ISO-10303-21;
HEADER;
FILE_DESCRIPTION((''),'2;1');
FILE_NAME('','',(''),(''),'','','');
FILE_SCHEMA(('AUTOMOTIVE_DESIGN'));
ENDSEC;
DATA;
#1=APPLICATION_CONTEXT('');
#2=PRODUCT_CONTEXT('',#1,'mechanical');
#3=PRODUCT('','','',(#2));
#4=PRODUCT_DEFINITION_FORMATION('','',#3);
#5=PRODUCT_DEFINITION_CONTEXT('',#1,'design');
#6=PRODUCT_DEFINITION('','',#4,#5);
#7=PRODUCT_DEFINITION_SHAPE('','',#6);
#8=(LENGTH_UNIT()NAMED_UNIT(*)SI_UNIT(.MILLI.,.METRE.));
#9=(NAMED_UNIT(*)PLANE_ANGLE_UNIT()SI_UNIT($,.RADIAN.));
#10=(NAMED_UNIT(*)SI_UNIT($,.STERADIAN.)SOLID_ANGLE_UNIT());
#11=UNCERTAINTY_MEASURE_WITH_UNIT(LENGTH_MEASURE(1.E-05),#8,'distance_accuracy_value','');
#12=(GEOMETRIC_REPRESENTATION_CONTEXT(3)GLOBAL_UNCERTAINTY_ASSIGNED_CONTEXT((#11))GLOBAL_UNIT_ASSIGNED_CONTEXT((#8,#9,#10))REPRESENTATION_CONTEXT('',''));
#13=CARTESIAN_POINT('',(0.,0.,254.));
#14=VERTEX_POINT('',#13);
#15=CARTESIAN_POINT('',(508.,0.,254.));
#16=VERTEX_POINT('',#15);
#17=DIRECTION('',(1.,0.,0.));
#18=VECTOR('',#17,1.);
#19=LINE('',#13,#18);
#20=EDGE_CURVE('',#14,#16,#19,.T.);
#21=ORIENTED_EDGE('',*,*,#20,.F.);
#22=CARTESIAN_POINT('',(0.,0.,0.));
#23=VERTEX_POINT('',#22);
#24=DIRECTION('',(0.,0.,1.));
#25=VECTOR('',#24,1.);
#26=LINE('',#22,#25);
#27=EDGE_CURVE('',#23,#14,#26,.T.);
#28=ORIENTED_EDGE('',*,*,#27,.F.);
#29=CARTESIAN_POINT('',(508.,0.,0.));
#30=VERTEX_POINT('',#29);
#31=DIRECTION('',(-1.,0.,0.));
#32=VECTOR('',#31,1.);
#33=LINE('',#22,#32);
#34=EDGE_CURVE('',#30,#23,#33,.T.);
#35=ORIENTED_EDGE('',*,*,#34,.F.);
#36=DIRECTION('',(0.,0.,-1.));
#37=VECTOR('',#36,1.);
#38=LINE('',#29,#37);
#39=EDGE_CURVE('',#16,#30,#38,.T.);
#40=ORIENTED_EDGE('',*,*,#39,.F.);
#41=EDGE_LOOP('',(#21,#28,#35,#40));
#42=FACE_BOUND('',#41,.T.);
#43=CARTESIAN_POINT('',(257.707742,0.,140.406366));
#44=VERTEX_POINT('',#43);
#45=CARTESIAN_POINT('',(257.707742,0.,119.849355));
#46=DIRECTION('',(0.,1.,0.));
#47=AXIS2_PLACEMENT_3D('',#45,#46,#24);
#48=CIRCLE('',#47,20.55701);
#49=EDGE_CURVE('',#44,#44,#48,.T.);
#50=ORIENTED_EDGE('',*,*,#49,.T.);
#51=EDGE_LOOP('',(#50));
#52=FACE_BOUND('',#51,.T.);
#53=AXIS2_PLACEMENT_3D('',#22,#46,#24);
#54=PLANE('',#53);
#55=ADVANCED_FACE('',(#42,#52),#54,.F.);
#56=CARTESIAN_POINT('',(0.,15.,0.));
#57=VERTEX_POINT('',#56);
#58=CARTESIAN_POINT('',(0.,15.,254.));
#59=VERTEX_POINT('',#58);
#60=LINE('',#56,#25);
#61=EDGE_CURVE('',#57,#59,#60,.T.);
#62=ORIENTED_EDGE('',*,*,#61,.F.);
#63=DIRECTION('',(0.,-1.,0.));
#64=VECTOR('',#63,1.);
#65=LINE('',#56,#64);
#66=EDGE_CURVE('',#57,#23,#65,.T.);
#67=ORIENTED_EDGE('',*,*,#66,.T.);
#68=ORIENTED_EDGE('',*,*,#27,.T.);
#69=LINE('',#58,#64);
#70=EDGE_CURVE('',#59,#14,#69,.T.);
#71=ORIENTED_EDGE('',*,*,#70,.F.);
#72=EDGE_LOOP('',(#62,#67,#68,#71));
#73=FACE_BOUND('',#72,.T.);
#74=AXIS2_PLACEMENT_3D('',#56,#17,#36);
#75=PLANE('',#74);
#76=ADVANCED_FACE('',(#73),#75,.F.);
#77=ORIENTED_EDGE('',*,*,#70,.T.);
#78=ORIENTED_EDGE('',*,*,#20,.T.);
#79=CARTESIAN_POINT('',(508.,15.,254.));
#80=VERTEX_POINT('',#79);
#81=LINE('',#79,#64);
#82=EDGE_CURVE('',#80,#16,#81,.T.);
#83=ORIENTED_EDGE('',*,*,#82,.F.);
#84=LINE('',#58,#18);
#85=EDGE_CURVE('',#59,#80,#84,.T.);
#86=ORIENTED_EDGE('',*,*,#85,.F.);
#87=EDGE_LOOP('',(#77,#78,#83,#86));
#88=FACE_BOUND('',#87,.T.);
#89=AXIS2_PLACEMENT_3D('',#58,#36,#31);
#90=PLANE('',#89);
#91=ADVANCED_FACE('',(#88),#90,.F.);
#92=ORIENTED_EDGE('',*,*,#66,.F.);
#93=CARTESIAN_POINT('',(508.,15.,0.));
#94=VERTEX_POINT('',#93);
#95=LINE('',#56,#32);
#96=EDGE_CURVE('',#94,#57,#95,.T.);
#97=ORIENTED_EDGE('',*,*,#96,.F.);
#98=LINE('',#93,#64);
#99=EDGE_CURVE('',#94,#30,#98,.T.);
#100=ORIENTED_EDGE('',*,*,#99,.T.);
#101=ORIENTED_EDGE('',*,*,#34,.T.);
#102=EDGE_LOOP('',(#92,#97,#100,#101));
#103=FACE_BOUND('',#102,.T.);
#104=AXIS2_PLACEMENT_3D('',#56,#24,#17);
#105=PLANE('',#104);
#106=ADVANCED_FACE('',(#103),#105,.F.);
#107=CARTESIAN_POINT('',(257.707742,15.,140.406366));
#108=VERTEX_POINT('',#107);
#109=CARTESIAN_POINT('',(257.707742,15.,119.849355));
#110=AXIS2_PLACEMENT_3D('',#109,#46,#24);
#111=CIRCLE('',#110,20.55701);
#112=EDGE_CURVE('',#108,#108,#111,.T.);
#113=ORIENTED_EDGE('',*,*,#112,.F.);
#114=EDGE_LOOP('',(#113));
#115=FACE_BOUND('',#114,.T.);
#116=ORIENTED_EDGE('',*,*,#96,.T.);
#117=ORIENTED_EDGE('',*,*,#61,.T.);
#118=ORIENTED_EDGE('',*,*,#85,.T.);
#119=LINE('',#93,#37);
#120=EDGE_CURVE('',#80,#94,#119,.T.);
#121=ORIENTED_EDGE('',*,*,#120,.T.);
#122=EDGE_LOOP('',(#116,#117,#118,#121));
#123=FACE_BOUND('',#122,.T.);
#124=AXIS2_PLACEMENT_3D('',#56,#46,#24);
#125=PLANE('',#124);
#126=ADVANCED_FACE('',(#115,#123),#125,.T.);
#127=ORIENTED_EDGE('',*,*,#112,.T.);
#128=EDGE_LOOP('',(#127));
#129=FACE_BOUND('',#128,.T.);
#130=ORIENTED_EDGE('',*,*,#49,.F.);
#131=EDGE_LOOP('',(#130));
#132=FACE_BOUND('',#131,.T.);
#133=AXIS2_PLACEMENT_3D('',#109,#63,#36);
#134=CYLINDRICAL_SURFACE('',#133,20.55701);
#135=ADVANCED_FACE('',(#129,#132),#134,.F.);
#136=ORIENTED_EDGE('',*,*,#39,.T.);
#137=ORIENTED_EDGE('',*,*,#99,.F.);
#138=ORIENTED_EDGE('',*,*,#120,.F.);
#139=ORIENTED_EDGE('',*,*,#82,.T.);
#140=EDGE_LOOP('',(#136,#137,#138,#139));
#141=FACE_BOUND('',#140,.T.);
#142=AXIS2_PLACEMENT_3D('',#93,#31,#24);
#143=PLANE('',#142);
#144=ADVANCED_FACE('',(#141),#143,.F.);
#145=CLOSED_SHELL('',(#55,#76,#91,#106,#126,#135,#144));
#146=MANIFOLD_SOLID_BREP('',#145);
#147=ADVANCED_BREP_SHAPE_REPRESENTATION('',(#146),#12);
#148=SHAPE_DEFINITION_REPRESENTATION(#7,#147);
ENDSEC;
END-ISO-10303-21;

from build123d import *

# Parameters (mm, degrees)
SKETCH_1_W      = 508
SKETCH_1_H      = 254
SKETCH_1_R      = 20.557010216
EXTRUDE_1_DEPTH = 15


with BuildPart() as part:
    # 草图1 → 凸台-拉伸1 (new body)
    with BuildSketch(Plane(origin=(0, 0, 0), x_dir=(1, 0, 0), z_dir=(0, 1, 0))):
        with Locations((254, -127)):
            Rectangle(SKETCH_1_W, SKETCH_1_H)
        with Locations(Location((257.707741618, -119.849355451, 0), (0, 0, 270))):
            Circle(SKETCH_1_R, mode=Mode.SUBTRACT)
    extrude(amount=EXTRUDE_1_DEPTH)


solid = part.part
